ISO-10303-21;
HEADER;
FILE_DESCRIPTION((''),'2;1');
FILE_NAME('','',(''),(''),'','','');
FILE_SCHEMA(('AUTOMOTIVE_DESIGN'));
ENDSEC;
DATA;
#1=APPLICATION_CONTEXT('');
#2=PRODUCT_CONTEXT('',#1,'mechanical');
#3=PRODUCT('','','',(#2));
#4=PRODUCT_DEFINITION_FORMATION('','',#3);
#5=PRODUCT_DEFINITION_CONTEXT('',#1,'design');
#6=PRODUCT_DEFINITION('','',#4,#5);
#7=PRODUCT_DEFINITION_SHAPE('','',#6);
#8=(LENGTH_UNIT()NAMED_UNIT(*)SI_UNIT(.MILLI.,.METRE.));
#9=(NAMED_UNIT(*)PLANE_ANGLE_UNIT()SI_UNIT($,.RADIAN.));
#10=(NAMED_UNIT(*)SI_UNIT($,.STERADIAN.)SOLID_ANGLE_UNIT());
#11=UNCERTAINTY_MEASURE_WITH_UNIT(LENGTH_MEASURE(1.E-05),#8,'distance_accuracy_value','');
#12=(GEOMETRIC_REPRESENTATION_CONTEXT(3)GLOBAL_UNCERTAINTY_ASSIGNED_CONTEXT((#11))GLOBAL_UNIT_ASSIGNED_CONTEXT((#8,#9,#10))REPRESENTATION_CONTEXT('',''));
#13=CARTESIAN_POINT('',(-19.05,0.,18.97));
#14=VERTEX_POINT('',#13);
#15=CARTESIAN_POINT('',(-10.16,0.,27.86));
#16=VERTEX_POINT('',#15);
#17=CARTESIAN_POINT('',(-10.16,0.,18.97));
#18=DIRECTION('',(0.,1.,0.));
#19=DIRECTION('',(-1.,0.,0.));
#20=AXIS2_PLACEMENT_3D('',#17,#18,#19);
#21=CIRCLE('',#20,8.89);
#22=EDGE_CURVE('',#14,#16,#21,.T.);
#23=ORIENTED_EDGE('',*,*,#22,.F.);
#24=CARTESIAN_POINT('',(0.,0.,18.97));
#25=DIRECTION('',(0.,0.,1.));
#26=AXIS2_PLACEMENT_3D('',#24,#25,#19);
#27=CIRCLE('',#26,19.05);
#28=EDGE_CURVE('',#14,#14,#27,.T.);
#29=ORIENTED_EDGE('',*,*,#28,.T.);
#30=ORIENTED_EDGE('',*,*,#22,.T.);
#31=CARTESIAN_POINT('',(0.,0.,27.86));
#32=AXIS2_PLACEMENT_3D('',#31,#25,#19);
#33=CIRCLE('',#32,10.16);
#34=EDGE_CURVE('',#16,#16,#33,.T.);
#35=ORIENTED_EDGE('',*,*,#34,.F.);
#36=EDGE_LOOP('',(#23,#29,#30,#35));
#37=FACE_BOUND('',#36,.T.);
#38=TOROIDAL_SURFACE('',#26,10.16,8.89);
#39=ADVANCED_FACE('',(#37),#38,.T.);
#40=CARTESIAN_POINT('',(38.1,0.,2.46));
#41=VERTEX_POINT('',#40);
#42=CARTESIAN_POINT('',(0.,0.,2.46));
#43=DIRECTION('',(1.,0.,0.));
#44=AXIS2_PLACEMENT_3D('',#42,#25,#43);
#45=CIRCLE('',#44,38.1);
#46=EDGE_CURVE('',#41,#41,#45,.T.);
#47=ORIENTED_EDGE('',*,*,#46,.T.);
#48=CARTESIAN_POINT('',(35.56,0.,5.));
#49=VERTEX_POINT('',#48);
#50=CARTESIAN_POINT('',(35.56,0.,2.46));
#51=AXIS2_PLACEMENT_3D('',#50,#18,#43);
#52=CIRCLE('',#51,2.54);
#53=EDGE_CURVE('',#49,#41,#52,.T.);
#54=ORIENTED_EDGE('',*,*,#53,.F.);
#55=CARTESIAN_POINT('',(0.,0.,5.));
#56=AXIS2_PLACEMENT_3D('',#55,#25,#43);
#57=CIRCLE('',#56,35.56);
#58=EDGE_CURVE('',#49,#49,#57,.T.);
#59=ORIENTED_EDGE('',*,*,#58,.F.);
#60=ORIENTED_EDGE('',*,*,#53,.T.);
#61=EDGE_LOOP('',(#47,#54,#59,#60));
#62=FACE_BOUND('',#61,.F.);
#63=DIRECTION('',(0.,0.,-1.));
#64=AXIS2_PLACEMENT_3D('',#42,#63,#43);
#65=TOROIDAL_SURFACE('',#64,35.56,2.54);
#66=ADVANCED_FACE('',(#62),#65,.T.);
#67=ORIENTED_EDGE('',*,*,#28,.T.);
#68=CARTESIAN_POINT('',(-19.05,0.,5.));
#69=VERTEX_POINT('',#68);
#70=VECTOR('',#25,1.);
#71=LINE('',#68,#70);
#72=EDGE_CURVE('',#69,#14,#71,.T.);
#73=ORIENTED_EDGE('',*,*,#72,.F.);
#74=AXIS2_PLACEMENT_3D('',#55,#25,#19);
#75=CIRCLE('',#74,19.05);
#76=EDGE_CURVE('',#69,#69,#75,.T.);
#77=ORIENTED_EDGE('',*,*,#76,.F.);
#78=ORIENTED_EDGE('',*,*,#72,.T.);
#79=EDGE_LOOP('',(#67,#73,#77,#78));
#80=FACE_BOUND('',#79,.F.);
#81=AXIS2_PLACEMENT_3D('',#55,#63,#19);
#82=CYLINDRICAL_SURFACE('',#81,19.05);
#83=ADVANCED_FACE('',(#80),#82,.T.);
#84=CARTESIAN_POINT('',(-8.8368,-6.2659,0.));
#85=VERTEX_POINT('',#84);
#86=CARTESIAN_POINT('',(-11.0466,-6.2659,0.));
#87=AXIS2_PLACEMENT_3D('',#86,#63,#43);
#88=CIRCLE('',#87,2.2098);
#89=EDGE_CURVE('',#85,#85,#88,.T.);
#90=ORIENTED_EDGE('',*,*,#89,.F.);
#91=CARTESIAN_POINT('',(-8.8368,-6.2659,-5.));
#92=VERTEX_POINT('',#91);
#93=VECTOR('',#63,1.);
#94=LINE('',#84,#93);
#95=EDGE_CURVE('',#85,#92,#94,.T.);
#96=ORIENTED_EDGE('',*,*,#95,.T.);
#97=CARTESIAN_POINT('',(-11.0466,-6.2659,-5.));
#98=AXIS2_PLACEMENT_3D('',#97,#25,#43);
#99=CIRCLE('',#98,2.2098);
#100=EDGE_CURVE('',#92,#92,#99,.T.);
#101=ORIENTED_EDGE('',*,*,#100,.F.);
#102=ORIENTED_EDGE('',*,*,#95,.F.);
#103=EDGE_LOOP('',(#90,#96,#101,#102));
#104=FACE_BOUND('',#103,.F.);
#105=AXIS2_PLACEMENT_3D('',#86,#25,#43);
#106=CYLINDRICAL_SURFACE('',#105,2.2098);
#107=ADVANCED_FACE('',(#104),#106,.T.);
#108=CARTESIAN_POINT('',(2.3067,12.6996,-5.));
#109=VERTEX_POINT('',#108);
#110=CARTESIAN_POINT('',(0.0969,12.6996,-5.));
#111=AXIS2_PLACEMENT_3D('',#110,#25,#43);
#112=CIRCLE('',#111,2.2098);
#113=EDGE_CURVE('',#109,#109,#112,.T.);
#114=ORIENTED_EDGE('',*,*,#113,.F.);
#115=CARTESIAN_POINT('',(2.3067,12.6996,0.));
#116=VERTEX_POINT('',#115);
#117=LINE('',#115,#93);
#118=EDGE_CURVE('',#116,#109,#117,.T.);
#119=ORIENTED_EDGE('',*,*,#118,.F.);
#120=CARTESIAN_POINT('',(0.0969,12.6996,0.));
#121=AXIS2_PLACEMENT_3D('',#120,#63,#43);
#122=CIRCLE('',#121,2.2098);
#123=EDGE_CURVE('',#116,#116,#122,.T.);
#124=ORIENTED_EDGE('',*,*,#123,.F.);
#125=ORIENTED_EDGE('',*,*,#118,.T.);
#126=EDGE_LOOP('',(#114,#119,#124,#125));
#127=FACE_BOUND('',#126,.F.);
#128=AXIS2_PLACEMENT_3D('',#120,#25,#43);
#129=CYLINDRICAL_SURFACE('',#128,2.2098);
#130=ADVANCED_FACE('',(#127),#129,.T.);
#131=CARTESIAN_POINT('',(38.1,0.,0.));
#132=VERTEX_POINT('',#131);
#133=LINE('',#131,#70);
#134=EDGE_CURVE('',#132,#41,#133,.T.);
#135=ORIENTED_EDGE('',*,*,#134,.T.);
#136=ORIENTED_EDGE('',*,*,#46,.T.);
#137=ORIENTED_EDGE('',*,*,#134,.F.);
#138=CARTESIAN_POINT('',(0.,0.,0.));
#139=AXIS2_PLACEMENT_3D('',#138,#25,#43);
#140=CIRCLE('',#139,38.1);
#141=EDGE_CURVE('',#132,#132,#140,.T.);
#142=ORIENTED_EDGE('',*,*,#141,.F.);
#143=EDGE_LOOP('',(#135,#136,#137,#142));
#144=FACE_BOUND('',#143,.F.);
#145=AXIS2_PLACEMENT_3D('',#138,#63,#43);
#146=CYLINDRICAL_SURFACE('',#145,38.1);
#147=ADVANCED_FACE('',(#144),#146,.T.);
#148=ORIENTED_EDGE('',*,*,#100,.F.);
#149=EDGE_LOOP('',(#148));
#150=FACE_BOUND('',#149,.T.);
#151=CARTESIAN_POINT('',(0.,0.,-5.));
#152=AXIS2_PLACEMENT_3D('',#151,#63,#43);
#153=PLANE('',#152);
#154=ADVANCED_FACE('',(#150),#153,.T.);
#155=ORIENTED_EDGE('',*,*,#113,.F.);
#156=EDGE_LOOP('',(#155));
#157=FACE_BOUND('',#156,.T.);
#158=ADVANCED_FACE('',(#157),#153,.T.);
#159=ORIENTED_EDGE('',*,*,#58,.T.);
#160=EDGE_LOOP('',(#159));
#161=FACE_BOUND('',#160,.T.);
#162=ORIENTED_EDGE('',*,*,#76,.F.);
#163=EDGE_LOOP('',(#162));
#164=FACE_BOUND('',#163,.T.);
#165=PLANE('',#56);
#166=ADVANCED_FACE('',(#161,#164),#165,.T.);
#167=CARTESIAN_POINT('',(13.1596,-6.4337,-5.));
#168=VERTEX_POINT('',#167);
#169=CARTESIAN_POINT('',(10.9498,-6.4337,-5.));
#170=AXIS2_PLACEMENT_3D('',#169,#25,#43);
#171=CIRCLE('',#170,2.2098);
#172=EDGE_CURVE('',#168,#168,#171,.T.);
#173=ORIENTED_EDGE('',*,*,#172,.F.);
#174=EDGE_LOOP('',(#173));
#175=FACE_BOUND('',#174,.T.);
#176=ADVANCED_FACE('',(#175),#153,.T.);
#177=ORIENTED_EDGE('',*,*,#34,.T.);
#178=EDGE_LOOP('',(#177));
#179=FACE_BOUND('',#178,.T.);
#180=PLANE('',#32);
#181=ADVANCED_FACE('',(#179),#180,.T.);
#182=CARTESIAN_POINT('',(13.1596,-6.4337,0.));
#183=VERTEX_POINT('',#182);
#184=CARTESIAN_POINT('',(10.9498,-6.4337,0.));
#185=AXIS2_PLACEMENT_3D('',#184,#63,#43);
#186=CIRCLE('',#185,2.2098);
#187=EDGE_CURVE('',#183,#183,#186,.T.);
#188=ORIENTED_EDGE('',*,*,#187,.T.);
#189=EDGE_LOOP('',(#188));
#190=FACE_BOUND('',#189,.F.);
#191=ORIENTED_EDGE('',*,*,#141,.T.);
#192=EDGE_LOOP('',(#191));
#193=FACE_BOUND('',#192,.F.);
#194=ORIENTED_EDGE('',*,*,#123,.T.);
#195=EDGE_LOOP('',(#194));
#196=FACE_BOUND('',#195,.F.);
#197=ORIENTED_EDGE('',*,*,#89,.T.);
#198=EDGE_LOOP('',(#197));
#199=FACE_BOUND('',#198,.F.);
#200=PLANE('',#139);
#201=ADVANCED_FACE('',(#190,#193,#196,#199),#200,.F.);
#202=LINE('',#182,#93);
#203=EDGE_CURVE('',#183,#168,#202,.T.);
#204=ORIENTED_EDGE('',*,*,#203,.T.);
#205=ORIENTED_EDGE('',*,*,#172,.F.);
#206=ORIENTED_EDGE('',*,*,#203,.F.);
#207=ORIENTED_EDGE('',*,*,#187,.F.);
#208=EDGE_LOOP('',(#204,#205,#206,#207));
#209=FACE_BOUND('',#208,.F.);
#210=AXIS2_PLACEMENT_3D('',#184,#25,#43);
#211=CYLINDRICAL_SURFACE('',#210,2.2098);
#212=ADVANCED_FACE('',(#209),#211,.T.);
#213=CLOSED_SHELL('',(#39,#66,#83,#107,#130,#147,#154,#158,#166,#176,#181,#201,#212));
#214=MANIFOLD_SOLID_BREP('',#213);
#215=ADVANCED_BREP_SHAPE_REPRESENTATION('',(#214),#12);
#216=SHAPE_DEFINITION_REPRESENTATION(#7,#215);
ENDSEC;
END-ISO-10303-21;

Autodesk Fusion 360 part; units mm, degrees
sketch "Sketch2" plane through (0, 0, 0) normal (0, 0, 1) x (1, 0, 0)
  circle A0 centre (0, 0) radius 38.1
  dimension "d15" = 76.2
extrude "Extrude1" add sketch "Sketch2" along normal blind 5
sketch "Sketch3" plane through (0, 0, 5) normal (0, 0, 1) x (-1, 0, 0)
  circle A0 centre (0, 0) radius 38.1
  circle A1 centre (0, 0) radius 19.05
  dimension "d14" = 38.1
extrude "Extrude2" add sketch "Sketch3" along normal blind 22.86 contours A1
sketch "Sketch4" plane through (0, 0, 0) normal (0, 0, -1) x (1, 0, 0)
  circle A0 centre (0, 0) radius 38.1
  circle A1 centre (0.0969, -12.6996) radius 2.2098
  circle A2 centre (10.9498, 6.4337) radius 2.2098
  circle A3 centre (-11.0466, 6.2659) radius 2.2098
  arc A4 (2.2968, -12.4906) -> (11.8992, 4.4383) centre (0, 0) ccw
  arc A5 (9.6688, 8.2343) -> (-9.7933, 8.0859) centre (0, 0) ccw
  arc A6 (-11.9656, 4.2562) -> (-2.106, -12.5242) centre (0, 0) ccw
  dimension "d7" = 4.4196
  dimension "d9" = 360
extrude "Extrude3" add sketch "Sketch4" along normal blind 5 contours A1 | A2 | A3
fillet "Fillet2" radius 8.89 1 edges at (17.7608, 6.8888, 27.86)
fillet "Fillet3" radius 2.54 1 edges at (-35.5217, -13.7775, 5)
